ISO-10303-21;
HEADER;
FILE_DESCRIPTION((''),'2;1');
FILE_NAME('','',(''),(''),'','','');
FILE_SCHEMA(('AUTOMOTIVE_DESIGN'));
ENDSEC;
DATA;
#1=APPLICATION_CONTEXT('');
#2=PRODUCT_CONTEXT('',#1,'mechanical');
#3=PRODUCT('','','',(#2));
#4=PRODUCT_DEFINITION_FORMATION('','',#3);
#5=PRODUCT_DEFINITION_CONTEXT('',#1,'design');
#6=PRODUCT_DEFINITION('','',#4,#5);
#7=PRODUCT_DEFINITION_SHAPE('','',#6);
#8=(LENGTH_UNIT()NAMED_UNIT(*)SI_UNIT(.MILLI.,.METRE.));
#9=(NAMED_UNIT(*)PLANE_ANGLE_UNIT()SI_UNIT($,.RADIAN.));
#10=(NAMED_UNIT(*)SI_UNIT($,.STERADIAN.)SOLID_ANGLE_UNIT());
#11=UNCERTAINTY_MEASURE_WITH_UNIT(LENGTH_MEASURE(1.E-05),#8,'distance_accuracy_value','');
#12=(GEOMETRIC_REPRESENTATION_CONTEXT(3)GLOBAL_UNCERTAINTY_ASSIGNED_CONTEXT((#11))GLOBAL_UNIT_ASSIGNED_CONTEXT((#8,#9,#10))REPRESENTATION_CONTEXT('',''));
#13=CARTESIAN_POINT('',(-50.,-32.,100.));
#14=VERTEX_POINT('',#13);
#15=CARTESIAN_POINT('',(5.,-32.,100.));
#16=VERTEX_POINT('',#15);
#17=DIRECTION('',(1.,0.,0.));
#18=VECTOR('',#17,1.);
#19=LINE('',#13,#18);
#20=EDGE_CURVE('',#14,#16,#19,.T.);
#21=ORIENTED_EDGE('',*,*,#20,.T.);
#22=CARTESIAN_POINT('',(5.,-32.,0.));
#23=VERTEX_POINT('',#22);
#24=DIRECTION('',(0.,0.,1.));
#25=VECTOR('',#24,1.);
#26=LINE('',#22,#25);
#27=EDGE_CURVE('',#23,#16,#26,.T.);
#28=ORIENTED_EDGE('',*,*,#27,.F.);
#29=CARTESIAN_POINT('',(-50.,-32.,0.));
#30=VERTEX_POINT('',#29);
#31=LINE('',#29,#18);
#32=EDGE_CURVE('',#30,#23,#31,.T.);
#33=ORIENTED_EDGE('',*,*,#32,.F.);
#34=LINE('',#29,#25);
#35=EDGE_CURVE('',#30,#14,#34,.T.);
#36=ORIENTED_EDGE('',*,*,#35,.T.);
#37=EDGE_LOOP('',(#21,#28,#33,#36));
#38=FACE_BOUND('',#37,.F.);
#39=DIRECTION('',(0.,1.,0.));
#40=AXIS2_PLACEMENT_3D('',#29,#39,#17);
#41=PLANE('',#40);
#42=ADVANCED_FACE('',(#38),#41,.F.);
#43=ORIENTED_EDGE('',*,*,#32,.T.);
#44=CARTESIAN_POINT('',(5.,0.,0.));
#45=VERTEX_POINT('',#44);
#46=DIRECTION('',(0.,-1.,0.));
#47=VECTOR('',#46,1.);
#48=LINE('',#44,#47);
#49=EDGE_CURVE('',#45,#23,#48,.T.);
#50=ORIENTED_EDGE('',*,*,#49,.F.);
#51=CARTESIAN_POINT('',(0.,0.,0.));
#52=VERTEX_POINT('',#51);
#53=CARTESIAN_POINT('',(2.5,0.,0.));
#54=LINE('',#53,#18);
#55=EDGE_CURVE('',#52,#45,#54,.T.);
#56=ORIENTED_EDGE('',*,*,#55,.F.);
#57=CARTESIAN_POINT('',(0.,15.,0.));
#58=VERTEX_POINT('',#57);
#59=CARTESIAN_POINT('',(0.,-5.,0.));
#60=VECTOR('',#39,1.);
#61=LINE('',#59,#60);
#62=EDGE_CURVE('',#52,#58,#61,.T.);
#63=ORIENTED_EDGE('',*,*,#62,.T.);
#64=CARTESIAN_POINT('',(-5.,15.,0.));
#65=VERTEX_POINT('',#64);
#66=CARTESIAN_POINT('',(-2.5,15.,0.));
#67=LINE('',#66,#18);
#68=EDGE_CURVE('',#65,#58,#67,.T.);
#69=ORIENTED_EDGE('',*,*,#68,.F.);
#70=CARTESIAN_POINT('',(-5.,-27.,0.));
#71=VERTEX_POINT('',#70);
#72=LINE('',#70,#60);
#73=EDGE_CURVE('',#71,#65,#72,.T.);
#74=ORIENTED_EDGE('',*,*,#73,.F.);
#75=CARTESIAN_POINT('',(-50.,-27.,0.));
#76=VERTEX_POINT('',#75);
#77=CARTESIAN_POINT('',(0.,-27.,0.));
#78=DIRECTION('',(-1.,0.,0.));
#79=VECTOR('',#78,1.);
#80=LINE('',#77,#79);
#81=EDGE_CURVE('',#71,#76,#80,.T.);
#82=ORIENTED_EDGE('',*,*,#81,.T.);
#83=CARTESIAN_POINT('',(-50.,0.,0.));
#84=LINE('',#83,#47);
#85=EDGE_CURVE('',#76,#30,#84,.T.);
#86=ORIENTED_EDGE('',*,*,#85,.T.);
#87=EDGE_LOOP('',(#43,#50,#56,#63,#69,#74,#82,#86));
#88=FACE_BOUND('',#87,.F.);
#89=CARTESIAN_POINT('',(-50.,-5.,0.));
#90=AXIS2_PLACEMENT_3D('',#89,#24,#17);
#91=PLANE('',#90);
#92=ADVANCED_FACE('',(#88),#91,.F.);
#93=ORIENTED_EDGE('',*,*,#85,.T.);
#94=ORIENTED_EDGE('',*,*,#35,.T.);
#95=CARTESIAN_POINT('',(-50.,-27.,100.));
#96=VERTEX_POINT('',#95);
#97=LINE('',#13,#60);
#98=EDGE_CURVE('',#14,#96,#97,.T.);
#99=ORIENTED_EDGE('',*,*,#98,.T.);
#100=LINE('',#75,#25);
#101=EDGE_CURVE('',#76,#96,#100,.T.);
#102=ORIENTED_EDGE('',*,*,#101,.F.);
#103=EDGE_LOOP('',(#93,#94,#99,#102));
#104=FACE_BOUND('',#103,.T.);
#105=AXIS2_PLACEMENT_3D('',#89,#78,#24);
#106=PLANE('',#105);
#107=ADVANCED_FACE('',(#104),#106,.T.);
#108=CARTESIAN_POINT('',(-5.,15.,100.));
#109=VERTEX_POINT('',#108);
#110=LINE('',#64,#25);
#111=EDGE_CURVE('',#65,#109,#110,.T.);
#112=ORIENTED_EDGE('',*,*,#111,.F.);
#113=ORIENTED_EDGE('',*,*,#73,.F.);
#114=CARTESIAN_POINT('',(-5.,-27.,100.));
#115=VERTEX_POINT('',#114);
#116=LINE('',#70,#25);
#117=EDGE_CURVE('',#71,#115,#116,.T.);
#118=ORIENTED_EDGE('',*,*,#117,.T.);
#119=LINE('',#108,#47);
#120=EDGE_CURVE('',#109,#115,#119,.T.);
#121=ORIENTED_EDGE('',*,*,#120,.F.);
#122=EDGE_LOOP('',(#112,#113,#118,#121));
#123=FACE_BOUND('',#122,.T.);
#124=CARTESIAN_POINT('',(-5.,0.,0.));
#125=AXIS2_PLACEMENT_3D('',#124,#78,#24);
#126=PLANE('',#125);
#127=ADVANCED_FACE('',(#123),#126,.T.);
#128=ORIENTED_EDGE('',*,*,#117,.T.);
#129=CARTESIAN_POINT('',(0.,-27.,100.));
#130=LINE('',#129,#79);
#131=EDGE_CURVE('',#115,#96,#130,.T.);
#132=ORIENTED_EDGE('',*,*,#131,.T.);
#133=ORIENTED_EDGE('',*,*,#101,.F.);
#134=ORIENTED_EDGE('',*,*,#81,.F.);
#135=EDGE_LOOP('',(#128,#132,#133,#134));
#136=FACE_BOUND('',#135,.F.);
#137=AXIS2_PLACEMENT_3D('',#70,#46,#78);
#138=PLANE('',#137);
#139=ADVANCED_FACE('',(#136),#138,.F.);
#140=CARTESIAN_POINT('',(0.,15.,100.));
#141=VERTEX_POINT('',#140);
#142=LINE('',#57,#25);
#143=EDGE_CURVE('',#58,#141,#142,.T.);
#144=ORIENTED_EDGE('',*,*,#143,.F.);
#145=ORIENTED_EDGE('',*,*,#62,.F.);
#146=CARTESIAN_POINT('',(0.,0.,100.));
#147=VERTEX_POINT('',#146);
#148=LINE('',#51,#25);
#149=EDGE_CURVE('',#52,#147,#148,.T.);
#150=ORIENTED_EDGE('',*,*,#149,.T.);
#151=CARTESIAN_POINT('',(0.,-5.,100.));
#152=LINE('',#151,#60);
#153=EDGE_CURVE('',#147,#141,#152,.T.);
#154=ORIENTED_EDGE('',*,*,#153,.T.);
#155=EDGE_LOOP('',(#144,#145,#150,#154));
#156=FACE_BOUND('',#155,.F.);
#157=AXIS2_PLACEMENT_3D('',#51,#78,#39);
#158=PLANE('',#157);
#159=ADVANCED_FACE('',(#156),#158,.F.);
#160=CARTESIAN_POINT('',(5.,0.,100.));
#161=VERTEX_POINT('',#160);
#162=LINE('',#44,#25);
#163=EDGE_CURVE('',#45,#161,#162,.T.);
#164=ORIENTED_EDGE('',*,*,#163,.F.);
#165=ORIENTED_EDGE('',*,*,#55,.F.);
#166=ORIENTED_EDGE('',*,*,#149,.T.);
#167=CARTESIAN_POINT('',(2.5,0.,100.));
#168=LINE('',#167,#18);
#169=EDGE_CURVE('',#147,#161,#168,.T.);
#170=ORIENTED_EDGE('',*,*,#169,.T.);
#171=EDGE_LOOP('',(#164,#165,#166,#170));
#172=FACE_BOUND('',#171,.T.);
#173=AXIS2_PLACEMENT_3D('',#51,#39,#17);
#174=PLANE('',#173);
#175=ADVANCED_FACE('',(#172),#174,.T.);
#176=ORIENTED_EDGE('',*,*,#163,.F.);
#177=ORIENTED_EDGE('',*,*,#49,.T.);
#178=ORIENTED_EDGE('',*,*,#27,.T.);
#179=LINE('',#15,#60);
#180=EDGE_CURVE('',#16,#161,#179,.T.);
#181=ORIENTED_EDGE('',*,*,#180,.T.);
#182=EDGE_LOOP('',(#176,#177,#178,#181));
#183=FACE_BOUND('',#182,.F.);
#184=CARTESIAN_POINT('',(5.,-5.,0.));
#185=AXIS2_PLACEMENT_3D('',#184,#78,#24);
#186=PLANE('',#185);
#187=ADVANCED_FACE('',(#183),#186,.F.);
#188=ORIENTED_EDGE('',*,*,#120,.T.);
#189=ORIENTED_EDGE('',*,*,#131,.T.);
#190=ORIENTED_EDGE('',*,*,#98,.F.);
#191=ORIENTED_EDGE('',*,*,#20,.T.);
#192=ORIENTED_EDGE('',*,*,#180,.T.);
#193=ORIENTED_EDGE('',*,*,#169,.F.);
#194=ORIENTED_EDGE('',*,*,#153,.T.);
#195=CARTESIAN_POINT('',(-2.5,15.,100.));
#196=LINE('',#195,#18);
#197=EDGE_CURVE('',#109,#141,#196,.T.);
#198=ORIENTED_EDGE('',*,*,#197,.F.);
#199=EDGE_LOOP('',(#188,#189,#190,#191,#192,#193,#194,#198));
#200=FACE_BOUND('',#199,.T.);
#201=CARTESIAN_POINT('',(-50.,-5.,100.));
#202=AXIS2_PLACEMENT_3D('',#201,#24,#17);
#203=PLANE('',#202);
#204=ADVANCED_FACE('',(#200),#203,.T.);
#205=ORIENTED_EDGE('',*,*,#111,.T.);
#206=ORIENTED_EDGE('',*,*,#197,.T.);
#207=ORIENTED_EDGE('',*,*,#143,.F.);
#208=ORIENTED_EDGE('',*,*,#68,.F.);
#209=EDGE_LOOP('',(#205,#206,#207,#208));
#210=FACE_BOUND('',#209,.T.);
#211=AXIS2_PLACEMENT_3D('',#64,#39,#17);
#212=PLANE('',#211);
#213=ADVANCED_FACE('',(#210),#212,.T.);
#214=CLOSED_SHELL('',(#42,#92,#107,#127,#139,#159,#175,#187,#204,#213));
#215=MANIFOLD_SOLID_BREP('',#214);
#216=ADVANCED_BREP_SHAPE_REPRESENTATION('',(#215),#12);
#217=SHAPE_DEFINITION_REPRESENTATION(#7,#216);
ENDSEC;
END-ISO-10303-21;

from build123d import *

# Parameters (mm, degrees)
F0_W     = 5
F0_H     = 15
F0_H_2   = 5
F1_DEPTH = 100
F2_DEPTH = 27
F3_DEPTH = 27


with BuildPart() as f1:
    # F0 (on Top) → F1 (new body)
    with BuildSketch(Plane.XY):
        Polygon((0, -5), (0, 0), (-5, 0), (-50, 0), (-50, -5), align=None)
        with Locations((-2.5, 7.5)):
            Rectangle(F0_W, F0_H)
        with Locations((2.5, -2.5)):
            Rectangle(F0_W, F0_H_2)
    extrude(amount=F1_DEPTH)

    # F2 (add): a face of the model
    f2_faces = [f1.faces().sort_by_distance(p)[0] for p in [
        (-22.5, -5, 50),
    ]]
    extrude(f2_faces, amount=F2_DEPTH)

    # F3 (cut): a face of the model
    f3_faces = [f1.faces().sort_by_distance(p)[0] for p in [
        (-27.5, 0, 50),
    ]]
    extrude(f3_faces, amount=-F3_DEPTH, mode=Mode.SUBTRACT)


solid = f1.part
